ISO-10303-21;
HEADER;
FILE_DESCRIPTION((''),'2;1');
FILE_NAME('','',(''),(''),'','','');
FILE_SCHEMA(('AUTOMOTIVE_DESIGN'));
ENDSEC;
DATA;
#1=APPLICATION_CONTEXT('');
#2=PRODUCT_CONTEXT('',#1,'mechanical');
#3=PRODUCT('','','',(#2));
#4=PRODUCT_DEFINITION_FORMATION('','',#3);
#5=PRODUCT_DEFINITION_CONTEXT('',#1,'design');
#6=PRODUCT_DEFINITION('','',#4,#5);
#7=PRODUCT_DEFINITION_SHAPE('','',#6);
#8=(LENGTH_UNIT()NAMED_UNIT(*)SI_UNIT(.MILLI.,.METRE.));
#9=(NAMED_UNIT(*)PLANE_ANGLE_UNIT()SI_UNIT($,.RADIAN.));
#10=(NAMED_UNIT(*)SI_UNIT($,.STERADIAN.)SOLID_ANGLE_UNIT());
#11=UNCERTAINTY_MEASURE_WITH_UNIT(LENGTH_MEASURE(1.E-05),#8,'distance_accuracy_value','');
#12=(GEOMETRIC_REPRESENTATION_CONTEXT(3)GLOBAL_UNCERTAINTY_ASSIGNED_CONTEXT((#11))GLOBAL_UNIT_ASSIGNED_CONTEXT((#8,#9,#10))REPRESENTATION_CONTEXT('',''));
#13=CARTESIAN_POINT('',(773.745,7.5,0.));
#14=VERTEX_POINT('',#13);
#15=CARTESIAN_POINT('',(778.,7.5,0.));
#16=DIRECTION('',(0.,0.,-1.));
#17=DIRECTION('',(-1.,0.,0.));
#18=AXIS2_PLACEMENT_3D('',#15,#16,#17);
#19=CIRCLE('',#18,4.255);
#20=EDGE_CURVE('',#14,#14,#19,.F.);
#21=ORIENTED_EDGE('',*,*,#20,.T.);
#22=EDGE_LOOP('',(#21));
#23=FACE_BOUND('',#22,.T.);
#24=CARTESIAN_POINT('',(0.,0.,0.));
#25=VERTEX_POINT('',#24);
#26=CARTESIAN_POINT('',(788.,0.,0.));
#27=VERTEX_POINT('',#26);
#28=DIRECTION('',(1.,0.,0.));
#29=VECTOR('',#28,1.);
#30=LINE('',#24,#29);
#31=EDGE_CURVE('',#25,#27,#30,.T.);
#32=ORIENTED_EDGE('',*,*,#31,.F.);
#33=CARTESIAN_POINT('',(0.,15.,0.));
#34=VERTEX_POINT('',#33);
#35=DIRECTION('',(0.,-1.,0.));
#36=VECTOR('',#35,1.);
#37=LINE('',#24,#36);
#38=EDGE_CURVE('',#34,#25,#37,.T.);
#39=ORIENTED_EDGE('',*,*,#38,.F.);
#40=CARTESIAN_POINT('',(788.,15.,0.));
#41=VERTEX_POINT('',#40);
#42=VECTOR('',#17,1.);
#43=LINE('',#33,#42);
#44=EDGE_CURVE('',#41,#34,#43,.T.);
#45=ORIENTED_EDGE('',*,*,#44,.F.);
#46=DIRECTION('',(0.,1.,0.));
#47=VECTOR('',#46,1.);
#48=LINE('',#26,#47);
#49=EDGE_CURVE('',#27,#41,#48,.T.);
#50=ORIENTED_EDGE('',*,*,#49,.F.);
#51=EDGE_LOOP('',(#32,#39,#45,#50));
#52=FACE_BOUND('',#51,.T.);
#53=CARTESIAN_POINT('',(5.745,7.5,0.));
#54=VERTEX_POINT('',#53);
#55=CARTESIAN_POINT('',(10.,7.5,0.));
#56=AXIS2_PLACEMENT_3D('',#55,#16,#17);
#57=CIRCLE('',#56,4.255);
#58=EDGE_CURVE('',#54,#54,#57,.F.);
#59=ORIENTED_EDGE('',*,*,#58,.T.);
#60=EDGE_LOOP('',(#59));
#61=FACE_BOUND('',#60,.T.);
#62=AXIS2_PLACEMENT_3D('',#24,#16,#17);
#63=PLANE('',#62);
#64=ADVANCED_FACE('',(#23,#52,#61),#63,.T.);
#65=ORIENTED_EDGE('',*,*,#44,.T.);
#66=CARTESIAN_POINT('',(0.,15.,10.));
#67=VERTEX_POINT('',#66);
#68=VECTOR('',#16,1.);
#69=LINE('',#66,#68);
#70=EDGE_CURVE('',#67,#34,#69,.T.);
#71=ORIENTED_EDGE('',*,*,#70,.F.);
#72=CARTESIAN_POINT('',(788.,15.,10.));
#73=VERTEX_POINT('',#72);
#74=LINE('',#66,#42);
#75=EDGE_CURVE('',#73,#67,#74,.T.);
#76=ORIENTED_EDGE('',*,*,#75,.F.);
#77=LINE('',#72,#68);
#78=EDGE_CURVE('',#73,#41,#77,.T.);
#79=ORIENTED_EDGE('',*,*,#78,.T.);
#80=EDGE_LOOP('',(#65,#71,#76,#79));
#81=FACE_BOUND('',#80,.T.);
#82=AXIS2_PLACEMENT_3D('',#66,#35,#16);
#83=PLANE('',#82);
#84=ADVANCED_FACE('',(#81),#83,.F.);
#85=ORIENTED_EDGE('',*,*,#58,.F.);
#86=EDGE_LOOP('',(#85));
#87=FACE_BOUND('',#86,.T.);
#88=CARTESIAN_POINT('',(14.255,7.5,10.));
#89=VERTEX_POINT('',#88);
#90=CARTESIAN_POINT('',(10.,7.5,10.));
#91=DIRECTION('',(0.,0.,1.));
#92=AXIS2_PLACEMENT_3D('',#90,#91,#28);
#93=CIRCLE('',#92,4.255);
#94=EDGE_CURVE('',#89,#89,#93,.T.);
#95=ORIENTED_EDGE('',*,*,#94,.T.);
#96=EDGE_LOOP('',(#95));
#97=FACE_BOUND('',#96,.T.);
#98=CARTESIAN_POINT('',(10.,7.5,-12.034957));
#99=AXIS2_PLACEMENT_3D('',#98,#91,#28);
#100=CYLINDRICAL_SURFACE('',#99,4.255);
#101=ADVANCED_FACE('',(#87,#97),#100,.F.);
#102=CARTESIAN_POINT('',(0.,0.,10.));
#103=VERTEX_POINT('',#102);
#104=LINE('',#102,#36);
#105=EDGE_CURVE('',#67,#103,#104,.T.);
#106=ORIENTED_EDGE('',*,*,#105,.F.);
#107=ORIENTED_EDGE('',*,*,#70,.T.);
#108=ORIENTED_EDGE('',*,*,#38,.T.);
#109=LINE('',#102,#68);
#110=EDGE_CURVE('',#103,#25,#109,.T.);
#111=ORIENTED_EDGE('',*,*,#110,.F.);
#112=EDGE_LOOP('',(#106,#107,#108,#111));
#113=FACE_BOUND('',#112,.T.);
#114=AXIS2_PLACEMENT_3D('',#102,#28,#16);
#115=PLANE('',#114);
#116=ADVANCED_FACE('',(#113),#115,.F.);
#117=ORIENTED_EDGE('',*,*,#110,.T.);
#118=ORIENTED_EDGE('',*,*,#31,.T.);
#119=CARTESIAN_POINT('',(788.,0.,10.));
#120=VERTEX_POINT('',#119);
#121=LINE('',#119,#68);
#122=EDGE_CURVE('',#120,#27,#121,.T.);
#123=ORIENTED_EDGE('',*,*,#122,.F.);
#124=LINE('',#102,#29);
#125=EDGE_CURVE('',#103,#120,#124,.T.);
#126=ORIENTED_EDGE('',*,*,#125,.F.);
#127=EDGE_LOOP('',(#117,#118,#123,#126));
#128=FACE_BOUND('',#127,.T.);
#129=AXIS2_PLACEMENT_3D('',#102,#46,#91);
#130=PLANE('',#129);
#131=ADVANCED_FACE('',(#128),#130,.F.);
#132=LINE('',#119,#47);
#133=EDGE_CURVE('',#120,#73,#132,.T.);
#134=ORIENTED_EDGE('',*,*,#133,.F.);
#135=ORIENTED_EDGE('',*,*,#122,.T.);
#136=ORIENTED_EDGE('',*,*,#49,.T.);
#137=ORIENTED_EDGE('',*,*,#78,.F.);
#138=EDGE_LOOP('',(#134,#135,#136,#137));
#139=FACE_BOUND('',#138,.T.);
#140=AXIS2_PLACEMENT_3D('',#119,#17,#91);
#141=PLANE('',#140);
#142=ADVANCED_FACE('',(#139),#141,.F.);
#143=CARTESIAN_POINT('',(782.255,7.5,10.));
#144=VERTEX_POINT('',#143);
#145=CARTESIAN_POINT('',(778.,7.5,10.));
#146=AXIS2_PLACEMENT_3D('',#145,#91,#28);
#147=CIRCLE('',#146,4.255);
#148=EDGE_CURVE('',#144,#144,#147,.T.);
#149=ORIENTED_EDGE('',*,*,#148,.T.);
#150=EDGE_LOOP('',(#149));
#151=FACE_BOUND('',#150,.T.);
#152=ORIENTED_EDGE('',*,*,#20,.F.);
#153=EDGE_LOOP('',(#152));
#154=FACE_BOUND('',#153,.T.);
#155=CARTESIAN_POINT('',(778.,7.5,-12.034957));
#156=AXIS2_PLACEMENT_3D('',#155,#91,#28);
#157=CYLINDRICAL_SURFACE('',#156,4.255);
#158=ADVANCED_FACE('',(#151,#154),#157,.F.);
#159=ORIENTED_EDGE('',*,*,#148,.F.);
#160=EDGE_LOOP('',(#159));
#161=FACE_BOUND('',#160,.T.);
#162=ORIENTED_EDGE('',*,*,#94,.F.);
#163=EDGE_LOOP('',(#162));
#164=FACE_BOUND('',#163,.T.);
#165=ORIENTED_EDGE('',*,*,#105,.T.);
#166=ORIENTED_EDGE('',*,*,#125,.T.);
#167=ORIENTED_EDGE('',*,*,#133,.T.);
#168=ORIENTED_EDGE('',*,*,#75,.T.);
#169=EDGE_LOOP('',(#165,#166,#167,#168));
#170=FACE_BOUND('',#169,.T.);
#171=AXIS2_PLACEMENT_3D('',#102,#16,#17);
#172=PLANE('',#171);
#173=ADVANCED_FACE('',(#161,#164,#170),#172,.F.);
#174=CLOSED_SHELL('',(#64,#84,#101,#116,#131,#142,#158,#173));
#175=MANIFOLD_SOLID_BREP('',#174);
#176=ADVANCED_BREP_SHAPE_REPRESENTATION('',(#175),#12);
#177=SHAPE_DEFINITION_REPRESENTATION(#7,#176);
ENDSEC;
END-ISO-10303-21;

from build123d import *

# Parameters (mm, degrees)
SKETCH1_W           = 788
SKETCH1_H           = 15
BOSS_EXTRUDE1_DEPTH = 10
SKETCH2_R           = 4.255
CUT_EXTRUDE1_DEPTH  = 10


with BuildPart() as part:
    # Sketch1 → Boss-Extrude1 (new body)
    with BuildSketch(Plane.XY):
        with Locations((394, 7.5)):
            Rectangle(SKETCH1_W, SKETCH1_H)
    extrude(amount=BOSS_EXTRUDE1_DEPTH)

    # Sketch2 → Cut-Extrude1 (cut)
    with BuildSketch(Plane.XY.offset(10)):
        with Locations((10, 7.5)):
            Circle(SKETCH2_R)
        with Locations((778, 7.5)):
            Circle(SKETCH2_R)
    extrude(amount=-CUT_EXTRUDE1_DEPTH, mode=Mode.SUBTRACT)


solid = part.part
